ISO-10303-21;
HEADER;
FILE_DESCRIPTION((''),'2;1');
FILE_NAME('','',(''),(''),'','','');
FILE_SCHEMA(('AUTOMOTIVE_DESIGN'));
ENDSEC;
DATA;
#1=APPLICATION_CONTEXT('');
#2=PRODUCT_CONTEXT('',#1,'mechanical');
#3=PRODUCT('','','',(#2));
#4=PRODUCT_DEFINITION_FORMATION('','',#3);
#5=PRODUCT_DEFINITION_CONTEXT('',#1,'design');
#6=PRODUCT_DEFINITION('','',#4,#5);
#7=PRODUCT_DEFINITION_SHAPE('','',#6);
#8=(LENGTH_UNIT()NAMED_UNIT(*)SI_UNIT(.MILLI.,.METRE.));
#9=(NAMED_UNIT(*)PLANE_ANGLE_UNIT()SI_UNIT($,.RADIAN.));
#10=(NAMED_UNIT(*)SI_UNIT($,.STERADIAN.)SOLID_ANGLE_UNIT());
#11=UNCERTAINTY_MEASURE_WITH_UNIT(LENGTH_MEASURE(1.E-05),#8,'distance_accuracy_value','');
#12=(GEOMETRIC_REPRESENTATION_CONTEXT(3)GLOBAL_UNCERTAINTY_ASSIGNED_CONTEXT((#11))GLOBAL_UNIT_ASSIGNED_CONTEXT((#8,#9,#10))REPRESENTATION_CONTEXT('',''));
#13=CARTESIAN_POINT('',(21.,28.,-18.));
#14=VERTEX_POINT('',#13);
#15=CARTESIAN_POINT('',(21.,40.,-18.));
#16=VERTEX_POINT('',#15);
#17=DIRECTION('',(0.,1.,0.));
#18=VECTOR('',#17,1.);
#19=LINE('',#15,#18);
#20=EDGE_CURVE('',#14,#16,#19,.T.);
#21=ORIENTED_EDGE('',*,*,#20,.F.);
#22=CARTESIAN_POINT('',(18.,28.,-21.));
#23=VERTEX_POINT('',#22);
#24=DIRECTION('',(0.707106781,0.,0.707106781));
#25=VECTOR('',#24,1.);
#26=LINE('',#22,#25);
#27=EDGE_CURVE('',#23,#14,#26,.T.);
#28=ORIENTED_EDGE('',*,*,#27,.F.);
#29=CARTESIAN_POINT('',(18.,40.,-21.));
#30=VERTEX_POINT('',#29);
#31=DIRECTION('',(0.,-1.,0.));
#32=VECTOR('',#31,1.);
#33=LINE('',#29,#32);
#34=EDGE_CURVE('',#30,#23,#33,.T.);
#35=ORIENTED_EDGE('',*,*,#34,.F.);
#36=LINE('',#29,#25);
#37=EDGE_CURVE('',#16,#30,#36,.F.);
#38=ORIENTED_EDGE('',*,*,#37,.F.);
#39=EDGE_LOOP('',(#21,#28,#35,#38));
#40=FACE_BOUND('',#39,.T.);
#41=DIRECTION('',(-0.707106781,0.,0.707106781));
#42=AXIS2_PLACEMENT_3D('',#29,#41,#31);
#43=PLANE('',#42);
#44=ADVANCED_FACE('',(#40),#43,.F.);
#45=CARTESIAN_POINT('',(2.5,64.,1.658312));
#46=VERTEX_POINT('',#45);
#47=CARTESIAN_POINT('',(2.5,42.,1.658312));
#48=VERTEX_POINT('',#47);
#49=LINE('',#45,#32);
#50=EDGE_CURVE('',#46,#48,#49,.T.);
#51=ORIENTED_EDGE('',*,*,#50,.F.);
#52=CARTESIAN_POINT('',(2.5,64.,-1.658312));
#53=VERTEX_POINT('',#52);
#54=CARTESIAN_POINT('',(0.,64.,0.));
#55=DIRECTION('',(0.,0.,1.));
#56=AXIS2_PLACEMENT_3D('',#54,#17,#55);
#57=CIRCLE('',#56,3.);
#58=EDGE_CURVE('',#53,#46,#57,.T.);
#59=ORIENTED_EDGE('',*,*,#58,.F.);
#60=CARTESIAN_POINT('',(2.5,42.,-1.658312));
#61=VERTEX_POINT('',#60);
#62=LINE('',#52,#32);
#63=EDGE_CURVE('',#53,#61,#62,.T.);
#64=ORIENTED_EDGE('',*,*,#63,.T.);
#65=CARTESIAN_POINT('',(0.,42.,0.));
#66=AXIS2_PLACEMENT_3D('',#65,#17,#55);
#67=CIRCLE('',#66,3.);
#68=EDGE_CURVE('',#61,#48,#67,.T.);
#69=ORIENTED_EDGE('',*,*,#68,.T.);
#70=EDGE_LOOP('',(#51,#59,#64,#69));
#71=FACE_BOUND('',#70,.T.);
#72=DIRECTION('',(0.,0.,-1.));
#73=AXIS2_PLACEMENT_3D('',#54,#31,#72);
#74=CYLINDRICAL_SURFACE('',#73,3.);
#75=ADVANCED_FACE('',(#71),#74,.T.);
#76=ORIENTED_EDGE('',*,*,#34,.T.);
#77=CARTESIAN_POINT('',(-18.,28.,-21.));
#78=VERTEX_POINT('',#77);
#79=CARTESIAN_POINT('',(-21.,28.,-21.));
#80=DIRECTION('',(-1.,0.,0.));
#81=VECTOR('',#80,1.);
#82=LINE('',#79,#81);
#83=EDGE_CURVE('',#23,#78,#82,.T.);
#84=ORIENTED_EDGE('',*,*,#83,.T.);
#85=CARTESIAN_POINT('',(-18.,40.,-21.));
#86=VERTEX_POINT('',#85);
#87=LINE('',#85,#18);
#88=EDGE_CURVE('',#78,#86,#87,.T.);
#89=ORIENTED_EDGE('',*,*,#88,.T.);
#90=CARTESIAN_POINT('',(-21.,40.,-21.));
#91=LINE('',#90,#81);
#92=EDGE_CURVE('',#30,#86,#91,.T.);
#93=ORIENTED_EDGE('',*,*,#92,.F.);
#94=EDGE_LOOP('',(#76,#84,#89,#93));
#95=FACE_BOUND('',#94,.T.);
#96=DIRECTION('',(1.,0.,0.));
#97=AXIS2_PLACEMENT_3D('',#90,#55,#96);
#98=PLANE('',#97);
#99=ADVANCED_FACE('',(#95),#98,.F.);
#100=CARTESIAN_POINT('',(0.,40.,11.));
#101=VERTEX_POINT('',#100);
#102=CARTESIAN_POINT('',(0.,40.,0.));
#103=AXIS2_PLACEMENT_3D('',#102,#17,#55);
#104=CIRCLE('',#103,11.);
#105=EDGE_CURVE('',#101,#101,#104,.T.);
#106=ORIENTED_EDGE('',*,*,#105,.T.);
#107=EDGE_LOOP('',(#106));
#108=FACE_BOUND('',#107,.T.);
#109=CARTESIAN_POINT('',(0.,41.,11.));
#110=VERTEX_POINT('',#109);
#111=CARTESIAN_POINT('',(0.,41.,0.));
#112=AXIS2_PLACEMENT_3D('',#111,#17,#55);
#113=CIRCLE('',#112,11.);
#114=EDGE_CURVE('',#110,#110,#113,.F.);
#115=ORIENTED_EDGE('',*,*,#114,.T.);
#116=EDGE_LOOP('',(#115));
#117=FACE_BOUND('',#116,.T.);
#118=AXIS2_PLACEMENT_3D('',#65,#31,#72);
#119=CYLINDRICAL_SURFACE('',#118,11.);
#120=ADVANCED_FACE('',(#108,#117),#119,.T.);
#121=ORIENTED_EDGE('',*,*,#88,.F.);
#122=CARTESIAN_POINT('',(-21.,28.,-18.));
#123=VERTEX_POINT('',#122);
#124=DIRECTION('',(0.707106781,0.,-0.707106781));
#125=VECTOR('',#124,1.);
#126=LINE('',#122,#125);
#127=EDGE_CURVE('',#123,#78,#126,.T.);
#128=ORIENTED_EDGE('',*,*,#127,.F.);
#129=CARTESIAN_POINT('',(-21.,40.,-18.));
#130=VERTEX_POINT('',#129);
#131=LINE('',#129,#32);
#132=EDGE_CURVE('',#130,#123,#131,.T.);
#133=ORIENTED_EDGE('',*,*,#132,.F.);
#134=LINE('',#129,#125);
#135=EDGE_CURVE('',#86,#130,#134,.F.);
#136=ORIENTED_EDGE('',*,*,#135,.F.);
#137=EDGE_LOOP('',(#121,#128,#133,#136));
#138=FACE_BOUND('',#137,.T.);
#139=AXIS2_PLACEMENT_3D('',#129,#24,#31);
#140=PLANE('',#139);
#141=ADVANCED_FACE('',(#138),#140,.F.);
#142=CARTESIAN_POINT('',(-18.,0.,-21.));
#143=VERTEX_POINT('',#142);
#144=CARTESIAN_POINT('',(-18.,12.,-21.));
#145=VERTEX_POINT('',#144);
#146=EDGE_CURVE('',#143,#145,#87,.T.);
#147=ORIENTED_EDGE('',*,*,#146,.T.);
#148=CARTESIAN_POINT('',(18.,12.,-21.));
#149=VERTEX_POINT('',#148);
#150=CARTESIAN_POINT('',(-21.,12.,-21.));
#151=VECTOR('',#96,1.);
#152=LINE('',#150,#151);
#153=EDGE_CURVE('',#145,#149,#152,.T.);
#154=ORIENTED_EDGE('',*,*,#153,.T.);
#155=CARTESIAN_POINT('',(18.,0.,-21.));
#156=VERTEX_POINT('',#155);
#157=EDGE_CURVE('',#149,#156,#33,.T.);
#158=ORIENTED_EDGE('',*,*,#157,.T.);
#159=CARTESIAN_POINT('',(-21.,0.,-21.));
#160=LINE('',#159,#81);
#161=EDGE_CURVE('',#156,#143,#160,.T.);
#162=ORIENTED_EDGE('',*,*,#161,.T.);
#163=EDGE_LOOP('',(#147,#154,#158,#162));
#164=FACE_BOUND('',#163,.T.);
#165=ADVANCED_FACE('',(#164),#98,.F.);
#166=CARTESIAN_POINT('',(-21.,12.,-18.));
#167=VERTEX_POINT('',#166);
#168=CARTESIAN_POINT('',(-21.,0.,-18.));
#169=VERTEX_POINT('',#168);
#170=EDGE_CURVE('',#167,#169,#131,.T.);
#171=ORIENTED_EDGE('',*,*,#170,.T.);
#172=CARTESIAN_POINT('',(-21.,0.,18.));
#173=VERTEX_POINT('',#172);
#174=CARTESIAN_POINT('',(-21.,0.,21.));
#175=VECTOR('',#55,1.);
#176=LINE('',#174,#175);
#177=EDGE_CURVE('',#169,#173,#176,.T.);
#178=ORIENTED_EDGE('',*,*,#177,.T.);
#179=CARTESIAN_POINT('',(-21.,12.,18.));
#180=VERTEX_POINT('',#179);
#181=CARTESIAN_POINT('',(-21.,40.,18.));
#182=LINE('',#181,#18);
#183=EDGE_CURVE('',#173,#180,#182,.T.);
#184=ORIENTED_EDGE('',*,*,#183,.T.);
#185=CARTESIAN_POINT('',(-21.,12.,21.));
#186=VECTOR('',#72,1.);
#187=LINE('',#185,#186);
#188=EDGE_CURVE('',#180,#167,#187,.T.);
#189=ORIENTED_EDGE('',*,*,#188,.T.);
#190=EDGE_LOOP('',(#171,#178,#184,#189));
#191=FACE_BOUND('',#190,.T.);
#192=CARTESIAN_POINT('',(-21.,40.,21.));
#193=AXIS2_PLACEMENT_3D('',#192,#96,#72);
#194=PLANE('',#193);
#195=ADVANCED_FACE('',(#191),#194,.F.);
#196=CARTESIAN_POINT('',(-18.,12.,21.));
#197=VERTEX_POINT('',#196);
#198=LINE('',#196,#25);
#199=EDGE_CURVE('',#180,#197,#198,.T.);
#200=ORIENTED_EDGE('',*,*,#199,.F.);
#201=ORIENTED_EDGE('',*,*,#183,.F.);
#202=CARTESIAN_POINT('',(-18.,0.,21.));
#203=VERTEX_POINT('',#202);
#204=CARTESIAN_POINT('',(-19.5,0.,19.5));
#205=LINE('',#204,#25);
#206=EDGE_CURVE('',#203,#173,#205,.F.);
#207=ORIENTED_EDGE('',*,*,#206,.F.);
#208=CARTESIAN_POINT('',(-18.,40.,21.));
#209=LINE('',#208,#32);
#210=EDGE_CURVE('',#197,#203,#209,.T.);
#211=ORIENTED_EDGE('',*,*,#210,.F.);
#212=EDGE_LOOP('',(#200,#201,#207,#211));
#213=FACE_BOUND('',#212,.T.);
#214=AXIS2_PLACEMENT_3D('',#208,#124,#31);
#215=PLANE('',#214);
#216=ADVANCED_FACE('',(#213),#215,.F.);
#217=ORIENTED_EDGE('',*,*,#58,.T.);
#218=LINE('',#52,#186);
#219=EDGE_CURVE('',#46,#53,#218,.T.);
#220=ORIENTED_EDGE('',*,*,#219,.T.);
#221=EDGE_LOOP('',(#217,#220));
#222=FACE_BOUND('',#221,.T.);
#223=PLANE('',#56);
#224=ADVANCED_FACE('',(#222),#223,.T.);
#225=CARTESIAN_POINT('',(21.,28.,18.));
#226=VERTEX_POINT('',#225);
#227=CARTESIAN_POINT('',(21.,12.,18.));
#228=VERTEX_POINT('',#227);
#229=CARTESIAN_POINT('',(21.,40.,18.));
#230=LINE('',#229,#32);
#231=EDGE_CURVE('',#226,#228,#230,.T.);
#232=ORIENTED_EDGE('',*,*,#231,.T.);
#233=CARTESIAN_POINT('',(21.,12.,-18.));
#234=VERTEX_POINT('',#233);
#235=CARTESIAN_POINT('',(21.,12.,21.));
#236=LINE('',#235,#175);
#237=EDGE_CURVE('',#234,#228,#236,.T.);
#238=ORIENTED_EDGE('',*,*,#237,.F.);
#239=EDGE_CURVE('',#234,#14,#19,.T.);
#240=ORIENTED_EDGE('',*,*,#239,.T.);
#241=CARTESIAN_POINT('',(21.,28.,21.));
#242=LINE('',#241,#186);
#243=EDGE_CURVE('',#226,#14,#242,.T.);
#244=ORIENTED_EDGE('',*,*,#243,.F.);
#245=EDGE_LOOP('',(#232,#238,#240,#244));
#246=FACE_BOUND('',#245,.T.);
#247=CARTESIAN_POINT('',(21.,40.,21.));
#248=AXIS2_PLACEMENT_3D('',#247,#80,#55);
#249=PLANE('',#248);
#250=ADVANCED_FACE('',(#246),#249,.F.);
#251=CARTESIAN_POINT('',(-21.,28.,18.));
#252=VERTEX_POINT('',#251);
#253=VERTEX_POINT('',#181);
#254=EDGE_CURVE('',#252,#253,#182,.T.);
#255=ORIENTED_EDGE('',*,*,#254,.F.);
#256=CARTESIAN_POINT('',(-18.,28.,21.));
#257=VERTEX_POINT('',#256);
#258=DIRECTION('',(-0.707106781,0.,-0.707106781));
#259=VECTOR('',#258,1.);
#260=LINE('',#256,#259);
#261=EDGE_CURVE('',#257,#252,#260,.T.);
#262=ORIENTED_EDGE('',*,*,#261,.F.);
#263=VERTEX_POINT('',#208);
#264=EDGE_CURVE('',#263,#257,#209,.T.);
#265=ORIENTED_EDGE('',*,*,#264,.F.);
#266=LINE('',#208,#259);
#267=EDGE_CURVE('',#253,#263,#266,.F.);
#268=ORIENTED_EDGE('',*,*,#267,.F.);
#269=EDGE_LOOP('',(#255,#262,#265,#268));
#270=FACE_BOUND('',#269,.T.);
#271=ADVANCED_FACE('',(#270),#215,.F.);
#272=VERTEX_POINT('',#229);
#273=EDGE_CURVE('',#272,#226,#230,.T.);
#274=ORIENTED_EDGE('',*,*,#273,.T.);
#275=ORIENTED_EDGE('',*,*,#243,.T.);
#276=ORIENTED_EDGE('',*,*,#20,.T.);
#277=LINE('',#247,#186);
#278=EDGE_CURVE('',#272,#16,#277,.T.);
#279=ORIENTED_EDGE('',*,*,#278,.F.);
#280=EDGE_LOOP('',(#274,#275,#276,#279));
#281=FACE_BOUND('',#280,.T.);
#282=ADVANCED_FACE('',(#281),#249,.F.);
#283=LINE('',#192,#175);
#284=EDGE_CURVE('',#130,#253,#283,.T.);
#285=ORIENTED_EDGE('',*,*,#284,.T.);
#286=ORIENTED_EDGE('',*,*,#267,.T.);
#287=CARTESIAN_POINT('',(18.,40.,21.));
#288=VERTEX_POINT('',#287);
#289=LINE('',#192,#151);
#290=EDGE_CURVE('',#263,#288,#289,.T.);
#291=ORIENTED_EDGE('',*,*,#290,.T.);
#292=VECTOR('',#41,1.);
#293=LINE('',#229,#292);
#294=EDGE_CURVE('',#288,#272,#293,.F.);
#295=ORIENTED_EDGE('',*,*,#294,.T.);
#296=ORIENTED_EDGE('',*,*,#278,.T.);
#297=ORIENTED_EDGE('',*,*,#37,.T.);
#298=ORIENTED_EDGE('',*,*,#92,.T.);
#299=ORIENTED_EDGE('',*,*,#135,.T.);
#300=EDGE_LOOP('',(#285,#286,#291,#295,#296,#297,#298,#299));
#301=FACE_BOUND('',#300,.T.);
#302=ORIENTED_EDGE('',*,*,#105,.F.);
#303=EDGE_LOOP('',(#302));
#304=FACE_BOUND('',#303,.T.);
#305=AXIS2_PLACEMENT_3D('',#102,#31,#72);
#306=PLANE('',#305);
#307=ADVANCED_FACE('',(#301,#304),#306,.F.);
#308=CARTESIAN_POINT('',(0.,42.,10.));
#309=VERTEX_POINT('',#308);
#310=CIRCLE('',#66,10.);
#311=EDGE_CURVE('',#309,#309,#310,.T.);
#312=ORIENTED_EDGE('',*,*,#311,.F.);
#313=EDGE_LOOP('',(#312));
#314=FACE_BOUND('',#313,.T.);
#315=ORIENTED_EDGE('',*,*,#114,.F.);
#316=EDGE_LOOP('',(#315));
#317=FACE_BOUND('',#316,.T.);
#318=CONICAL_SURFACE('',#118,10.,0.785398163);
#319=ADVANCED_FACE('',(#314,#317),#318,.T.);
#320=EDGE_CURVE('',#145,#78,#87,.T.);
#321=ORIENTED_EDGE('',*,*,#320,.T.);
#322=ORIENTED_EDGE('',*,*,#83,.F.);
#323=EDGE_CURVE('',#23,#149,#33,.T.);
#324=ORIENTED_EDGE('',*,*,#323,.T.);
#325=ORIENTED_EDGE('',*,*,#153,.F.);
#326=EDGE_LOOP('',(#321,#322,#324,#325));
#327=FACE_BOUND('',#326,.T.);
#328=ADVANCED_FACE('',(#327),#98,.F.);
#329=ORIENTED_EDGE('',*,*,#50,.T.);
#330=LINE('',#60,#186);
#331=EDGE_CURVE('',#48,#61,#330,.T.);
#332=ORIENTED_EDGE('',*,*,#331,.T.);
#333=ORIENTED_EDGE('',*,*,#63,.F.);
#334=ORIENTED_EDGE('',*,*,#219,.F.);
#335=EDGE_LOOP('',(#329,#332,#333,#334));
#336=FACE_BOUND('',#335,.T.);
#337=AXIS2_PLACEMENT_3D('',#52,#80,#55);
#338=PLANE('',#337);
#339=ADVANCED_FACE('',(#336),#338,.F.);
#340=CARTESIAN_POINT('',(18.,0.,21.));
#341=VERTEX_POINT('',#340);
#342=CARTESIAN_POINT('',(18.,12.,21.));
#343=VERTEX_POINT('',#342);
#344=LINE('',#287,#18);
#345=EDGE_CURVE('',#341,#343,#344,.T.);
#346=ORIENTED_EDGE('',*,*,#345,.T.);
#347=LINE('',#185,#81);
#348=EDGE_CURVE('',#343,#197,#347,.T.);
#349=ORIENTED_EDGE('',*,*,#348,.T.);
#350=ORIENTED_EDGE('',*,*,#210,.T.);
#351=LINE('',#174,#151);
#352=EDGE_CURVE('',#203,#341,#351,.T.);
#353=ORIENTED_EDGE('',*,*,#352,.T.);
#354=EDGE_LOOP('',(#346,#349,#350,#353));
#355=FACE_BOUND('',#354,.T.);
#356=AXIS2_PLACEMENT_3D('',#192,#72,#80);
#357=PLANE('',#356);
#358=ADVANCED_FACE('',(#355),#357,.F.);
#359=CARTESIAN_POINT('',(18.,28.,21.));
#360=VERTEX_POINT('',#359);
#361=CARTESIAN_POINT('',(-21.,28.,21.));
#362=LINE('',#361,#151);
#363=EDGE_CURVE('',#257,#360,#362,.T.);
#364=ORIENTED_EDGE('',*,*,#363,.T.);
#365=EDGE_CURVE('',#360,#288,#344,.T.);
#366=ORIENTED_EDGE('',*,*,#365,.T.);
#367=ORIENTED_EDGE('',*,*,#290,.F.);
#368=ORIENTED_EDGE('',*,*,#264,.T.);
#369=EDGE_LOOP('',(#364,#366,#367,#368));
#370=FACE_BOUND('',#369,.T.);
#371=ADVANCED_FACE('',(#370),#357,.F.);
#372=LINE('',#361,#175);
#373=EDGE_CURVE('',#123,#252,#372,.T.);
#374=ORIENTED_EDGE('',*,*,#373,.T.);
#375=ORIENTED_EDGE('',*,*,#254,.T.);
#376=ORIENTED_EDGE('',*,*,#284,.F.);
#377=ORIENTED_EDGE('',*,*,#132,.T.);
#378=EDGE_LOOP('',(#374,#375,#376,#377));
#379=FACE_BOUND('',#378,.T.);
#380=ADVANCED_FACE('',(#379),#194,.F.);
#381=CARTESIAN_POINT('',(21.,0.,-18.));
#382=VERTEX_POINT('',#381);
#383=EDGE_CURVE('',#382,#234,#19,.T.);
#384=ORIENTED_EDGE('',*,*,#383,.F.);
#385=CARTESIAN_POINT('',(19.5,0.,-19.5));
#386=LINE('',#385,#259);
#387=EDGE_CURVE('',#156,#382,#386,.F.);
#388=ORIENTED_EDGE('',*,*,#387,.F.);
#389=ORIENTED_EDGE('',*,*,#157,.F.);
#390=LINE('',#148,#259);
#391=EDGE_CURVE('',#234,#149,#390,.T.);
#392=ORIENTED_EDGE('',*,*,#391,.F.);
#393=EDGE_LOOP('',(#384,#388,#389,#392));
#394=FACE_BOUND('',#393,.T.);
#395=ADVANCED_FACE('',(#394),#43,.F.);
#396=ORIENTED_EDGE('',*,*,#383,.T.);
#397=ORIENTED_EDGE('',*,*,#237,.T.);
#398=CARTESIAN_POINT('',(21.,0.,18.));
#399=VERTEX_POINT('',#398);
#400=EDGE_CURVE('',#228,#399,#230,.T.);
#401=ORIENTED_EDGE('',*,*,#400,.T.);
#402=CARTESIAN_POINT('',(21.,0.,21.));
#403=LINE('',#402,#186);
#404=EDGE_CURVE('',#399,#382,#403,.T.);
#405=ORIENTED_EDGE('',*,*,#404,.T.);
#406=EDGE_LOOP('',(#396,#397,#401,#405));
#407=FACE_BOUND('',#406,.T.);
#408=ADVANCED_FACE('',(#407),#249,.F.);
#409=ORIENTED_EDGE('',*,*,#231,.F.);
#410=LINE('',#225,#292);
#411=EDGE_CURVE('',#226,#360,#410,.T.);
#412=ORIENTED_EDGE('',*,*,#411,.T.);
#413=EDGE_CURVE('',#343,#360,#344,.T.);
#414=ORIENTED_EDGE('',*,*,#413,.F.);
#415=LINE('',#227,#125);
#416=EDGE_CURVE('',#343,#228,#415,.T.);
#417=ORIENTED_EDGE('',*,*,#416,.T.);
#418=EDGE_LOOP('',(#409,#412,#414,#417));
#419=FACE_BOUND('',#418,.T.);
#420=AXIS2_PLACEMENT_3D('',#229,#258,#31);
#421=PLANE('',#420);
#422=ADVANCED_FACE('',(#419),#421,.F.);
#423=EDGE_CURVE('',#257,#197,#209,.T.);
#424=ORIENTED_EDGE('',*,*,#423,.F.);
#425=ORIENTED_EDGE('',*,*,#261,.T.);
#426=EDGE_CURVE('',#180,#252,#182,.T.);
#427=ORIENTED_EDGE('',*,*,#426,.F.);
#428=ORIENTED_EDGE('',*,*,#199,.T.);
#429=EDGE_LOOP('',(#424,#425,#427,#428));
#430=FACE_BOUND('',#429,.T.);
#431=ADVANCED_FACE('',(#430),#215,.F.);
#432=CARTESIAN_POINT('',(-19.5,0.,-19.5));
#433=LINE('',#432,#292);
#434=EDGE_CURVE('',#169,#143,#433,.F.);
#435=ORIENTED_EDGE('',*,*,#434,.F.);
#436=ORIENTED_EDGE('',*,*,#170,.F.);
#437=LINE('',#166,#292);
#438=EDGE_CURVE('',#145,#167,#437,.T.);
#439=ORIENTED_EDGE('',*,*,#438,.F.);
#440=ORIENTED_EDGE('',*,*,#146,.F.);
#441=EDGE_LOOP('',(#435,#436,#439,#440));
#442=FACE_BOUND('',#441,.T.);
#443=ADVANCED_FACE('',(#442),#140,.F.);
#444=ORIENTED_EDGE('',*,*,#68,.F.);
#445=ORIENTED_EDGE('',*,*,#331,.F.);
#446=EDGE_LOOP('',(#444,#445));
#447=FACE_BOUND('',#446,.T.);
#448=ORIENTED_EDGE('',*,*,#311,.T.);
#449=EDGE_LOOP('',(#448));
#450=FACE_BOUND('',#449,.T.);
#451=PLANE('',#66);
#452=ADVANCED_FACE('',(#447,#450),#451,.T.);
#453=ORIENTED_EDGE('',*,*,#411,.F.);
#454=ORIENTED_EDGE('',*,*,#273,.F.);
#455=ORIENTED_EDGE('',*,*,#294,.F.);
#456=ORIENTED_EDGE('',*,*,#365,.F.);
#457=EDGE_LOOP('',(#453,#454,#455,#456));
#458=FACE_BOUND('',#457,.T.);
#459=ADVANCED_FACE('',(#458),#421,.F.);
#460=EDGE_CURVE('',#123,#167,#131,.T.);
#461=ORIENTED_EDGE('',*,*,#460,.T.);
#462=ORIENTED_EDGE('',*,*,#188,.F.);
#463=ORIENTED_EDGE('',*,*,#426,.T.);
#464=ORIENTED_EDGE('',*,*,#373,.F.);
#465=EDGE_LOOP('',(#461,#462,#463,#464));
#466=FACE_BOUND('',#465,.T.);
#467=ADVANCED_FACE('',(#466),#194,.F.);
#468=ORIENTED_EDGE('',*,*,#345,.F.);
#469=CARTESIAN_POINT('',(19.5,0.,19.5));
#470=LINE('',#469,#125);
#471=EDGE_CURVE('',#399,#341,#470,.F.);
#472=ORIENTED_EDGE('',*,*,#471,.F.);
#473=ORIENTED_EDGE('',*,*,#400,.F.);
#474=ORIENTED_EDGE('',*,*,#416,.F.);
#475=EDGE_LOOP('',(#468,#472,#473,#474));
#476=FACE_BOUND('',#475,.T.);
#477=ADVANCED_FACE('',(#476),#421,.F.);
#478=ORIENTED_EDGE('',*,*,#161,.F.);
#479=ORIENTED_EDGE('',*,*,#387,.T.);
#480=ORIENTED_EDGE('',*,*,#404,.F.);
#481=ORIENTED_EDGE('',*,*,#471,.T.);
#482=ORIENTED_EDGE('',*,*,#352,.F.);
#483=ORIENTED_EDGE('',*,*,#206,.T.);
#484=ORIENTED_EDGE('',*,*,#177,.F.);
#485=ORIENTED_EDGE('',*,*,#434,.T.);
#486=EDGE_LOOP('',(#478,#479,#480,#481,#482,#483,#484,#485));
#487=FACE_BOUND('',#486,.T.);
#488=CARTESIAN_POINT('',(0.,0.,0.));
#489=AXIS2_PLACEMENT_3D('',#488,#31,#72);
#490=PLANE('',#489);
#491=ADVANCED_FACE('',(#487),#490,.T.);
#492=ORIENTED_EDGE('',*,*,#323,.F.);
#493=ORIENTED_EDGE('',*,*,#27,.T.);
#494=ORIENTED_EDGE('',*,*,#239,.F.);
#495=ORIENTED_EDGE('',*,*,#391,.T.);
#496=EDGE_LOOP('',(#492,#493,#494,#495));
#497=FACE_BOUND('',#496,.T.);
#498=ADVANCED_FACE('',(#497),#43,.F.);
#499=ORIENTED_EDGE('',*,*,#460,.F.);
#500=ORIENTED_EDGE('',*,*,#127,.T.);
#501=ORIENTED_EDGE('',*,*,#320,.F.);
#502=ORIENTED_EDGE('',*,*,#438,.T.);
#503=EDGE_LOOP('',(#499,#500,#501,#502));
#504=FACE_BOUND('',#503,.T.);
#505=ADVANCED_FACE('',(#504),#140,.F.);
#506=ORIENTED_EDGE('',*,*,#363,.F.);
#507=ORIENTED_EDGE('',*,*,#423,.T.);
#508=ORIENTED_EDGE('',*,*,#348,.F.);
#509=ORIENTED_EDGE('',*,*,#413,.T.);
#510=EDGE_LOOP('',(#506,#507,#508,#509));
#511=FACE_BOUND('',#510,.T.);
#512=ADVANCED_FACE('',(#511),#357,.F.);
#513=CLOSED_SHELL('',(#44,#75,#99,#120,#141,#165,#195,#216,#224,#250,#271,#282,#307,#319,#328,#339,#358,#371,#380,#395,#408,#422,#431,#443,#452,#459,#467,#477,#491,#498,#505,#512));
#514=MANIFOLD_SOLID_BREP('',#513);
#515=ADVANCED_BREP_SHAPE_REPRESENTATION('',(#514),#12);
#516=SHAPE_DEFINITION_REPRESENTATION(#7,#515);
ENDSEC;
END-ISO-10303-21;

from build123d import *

# Parameters (mm, degrees)
SKETCH1_W           = 42
SKETCH1_H           = 42
BOSS_EXTRUDE1_DEPTH = 40
CHAMFER2_SIZE       = 3
SKETCH2_R           = 11
BOSS_EXTRUDE2_DEPTH = 2
BOSS_EXTRUDE3_DEPTH = 22
CHAMFER3_SIZE       = 1


with BuildPart() as part:
    # Sketch1 → Boss-Extrude1 (new body)
    with BuildSketch(Plane(origin=(0, 0, 0), x_dir=(1, 0, 0), z_dir=(0, 1, 0))):
        Rectangle(SKETCH1_W, SKETCH1_H)
    extrude(amount=BOSS_EXTRUDE1_DEPTH)

    # Chamfer2
    chamfer2_edges = [part.edges().sort_by_distance(p)[0] for p in [
        (21, 20, 21),
        (-21, 20, 21),
        (-21, 20, -21),
        (21, 20, -21),
    ]]
    chamfer(chamfer2_edges, length=CHAMFER2_SIZE)

    # Sketch2 → Boss-Extrude2 (add)
    with BuildSketch(Plane(origin=(0, 40, 0), x_dir=(1, 0, 0), z_dir=(0, 1, 0))):
        Circle(SKETCH2_R)
    extrude(amount=BOSS_EXTRUDE2_DEPTH)

    # Sketch3 → Boss-Extrude3 (add)
    with BuildSketch(Plane(origin=(0, 42, 0), x_dir=(1, 0, 0), z_dir=(0, 1, 0))):
        with BuildLine():
            Line((2.5, 1.658312395), (2.5, -1.658312395))
            ThreePointArc((2.5, -1.658312395), (-3, 0), (2.5, 1.658312395))
        make_face()
    extrude(amount=BOSS_EXTRUDE3_DEPTH)

    # Chamfer3
    chamfer3_edges = [part.edges().sort_by_distance(p)[0] for p in [
        (-11, 42, 0),
    ]]
    chamfer(chamfer3_edges, length=CHAMFER3_SIZE)


solid = part.part
